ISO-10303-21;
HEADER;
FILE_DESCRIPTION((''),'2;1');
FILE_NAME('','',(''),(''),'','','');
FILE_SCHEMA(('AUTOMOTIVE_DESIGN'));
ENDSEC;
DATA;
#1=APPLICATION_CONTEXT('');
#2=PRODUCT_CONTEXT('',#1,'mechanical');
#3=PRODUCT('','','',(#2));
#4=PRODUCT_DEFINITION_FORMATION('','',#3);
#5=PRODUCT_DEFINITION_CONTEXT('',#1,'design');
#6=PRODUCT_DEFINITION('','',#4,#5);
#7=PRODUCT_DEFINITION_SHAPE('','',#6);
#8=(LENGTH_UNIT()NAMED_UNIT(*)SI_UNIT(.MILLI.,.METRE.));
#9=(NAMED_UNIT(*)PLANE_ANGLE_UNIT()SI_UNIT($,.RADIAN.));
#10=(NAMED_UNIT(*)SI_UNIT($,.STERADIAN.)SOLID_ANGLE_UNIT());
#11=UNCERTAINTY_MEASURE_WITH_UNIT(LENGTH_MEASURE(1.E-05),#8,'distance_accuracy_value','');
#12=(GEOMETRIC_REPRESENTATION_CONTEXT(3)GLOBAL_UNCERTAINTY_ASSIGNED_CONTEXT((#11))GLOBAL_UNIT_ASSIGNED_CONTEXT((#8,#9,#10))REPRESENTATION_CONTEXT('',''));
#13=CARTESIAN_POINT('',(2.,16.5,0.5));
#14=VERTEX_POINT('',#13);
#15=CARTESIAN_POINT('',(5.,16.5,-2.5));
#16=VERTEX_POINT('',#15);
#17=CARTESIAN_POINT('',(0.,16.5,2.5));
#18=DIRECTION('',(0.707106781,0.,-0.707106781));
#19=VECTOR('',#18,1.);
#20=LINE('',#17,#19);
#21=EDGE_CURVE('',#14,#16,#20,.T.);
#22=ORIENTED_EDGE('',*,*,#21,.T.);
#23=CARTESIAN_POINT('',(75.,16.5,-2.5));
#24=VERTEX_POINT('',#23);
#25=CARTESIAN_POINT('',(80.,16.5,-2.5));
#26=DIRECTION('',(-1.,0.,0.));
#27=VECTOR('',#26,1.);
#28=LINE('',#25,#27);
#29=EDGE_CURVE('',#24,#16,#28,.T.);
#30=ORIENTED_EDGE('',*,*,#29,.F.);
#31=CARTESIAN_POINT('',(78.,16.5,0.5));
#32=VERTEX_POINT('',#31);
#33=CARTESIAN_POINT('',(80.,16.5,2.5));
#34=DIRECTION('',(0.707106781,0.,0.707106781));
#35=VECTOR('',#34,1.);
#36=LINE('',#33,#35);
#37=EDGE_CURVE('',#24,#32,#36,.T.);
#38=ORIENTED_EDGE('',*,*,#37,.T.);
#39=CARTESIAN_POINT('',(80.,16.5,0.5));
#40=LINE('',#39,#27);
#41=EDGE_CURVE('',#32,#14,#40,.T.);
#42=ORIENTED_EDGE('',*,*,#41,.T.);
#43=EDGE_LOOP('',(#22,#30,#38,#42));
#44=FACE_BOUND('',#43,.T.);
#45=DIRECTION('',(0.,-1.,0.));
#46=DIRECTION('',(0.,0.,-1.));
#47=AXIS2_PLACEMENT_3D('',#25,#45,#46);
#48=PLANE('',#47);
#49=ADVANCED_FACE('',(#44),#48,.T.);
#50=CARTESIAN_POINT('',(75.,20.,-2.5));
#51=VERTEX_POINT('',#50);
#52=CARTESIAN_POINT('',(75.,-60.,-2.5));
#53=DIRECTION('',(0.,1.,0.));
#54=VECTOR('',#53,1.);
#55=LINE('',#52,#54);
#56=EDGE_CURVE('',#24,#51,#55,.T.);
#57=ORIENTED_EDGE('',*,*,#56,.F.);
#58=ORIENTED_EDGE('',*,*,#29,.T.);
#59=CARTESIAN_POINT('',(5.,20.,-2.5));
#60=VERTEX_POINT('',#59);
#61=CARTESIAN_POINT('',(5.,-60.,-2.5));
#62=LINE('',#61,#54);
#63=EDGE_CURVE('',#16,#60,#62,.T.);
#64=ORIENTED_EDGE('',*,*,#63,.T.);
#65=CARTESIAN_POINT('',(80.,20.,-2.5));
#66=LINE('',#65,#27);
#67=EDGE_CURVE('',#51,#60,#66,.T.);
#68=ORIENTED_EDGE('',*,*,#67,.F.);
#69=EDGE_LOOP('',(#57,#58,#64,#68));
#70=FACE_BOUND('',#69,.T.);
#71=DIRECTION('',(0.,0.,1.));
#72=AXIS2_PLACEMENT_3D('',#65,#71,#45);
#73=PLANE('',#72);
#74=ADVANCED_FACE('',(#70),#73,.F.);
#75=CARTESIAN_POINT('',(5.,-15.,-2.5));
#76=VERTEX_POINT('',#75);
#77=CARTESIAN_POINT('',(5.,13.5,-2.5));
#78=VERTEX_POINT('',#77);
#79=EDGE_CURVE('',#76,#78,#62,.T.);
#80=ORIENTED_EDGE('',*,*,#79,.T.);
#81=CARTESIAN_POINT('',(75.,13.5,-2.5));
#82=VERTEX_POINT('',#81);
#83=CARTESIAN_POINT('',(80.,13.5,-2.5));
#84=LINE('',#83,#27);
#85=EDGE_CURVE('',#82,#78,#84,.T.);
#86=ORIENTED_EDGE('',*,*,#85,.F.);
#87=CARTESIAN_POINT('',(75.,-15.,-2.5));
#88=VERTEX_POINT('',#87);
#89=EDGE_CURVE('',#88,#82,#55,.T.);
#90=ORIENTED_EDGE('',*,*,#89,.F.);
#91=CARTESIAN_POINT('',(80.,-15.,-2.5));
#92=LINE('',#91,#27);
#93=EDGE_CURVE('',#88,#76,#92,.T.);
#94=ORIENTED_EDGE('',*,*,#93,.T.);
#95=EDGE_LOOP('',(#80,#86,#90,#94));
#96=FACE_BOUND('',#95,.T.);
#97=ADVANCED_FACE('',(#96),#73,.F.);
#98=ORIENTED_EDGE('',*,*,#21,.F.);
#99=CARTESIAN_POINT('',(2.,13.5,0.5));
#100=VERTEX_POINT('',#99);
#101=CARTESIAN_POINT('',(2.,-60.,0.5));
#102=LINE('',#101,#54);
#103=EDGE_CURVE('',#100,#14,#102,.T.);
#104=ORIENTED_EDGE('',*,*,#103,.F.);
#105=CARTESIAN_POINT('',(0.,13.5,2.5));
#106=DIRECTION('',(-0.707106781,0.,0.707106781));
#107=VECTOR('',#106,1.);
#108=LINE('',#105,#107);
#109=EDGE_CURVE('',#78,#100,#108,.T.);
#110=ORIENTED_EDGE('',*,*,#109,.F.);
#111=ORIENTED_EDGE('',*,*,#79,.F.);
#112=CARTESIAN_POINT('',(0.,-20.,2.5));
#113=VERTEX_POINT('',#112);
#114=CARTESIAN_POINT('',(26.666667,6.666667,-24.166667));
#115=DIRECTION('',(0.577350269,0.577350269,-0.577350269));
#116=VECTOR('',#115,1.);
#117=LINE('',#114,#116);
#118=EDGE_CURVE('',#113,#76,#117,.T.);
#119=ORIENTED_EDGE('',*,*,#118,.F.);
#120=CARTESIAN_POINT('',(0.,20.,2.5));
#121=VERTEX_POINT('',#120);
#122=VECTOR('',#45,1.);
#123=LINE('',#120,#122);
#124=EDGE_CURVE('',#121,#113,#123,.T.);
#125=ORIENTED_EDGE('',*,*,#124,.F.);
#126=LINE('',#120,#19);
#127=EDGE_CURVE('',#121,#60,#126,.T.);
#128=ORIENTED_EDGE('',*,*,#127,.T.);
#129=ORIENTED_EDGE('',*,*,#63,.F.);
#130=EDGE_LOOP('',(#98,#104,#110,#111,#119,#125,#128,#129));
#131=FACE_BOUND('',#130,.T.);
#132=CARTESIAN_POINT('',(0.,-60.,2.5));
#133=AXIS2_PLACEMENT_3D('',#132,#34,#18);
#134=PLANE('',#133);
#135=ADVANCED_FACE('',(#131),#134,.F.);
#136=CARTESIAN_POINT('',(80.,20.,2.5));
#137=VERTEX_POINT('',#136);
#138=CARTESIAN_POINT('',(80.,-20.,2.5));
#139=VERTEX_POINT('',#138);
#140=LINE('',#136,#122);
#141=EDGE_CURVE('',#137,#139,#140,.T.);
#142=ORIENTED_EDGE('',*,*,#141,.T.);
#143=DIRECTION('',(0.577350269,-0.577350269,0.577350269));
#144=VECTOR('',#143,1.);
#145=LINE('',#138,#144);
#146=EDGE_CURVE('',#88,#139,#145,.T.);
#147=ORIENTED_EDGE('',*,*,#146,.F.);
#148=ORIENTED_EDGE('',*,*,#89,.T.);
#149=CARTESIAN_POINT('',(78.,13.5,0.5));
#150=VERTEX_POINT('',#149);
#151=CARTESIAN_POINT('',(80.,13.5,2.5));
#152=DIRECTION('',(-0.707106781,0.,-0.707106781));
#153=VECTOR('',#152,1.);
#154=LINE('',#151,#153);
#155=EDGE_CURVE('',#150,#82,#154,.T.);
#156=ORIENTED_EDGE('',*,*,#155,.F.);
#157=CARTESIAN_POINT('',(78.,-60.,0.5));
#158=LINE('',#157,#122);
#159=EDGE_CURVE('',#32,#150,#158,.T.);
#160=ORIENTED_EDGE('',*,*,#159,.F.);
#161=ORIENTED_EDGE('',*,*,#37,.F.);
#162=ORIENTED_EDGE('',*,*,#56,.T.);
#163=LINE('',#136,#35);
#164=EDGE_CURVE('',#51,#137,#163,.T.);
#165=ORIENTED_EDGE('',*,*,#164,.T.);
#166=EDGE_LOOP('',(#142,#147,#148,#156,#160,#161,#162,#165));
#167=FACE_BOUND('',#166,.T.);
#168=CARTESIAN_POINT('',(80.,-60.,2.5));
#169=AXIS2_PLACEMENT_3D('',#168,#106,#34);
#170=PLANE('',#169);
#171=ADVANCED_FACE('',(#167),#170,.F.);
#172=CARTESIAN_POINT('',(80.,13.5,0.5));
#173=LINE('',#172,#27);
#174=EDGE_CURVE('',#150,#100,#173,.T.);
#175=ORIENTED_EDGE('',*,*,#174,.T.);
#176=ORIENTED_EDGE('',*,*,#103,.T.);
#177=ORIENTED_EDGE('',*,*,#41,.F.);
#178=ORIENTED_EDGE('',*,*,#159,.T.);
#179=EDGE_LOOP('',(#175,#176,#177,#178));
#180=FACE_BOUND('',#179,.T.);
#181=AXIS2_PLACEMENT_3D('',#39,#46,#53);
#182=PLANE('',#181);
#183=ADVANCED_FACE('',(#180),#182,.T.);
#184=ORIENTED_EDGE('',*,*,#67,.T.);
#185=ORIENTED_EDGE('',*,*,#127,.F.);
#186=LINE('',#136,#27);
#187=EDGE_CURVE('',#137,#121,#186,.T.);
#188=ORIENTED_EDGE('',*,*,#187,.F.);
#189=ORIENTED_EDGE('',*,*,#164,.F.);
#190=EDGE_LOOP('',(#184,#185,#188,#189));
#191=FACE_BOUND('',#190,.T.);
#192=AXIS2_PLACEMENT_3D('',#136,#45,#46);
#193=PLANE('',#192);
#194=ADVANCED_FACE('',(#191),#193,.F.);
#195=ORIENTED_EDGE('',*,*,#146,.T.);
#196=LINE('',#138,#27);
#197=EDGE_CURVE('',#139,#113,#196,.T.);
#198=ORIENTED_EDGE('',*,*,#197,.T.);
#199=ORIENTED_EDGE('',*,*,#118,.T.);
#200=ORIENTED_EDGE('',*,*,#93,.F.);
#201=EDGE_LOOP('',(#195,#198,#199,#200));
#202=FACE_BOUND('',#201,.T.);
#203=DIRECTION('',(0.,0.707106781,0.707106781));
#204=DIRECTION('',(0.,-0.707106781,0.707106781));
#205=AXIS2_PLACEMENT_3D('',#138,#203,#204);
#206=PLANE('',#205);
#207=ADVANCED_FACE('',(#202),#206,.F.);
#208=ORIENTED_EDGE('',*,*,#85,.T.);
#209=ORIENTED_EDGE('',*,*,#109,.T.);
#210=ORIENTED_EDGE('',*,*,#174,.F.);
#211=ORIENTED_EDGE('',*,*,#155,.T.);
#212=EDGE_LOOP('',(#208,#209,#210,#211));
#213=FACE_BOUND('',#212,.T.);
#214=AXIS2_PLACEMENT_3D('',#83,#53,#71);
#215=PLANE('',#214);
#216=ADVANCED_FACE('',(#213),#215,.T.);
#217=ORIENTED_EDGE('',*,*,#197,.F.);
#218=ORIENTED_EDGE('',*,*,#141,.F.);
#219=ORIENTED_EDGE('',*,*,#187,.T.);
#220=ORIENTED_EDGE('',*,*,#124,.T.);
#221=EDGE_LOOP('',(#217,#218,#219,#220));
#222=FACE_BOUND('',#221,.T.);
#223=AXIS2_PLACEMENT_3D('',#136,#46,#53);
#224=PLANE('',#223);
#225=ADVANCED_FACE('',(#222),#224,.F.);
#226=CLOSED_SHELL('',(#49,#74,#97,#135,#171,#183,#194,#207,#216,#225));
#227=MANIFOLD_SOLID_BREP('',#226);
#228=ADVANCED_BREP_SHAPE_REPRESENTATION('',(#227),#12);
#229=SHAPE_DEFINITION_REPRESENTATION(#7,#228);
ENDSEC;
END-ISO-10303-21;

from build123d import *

# Parameters (mm, degrees)
BOSS_EXTRUDE1_DEPTH     = 80
CUT_EXTRUDE1_DEPTH      = 80
SKETCH3_W               = 3
SKETCH3_H               = 3
CUT_EXTRUDE2_DEPTH      = 81
CUT_EXTRUDE2_DEPTH_BACK = 1


with BuildPart() as part:
    # Sketch1 → Boss-Extrude1 (new body)
    with BuildSketch(Plane(origin=(0, 0, 0), x_dir=(0, 0, -1), z_dir=(1, 0, 0))):
        Polygon((-2.5, -20), (2.5, -15), (2.5, 20), (-2.5, 20), align=None)
    extrude(amount=BOSS_EXTRUDE1_DEPTH)

    # Sketch2 → Cut-Extrude1 (cut)
    with BuildSketch(Plane(origin=(0, 20, 0), x_dir=(1, 0, 0), z_dir=(0, 1, 0))):
        Polygon((80, 2.5), (75, 2.5), (80, -2.5), align=None)
        Polygon((0, -2.5), (5, 2.5), (0, 2.5), align=None)
    extrude(amount=-CUT_EXTRUDE1_DEPTH, mode=Mode.SUBTRACT)

    # Sketch3 → Cut-Extrude2 (cut, two sides)
    with BuildSketch(Plane(origin=(0, 0, 0), x_dir=(0, 0, -1), z_dir=(1, 0, 0))) as cut_extrude2_sk:
        with Locations((1, 15)):
            Rectangle(SKETCH3_W, SKETCH3_H)
    extrude(amount=CUT_EXTRUDE2_DEPTH, mode=Mode.SUBTRACT)
    extrude(cut_extrude2_sk.sketch, amount=-CUT_EXTRUDE2_DEPTH_BACK, mode=Mode.SUBTRACT)


solid = part.part
